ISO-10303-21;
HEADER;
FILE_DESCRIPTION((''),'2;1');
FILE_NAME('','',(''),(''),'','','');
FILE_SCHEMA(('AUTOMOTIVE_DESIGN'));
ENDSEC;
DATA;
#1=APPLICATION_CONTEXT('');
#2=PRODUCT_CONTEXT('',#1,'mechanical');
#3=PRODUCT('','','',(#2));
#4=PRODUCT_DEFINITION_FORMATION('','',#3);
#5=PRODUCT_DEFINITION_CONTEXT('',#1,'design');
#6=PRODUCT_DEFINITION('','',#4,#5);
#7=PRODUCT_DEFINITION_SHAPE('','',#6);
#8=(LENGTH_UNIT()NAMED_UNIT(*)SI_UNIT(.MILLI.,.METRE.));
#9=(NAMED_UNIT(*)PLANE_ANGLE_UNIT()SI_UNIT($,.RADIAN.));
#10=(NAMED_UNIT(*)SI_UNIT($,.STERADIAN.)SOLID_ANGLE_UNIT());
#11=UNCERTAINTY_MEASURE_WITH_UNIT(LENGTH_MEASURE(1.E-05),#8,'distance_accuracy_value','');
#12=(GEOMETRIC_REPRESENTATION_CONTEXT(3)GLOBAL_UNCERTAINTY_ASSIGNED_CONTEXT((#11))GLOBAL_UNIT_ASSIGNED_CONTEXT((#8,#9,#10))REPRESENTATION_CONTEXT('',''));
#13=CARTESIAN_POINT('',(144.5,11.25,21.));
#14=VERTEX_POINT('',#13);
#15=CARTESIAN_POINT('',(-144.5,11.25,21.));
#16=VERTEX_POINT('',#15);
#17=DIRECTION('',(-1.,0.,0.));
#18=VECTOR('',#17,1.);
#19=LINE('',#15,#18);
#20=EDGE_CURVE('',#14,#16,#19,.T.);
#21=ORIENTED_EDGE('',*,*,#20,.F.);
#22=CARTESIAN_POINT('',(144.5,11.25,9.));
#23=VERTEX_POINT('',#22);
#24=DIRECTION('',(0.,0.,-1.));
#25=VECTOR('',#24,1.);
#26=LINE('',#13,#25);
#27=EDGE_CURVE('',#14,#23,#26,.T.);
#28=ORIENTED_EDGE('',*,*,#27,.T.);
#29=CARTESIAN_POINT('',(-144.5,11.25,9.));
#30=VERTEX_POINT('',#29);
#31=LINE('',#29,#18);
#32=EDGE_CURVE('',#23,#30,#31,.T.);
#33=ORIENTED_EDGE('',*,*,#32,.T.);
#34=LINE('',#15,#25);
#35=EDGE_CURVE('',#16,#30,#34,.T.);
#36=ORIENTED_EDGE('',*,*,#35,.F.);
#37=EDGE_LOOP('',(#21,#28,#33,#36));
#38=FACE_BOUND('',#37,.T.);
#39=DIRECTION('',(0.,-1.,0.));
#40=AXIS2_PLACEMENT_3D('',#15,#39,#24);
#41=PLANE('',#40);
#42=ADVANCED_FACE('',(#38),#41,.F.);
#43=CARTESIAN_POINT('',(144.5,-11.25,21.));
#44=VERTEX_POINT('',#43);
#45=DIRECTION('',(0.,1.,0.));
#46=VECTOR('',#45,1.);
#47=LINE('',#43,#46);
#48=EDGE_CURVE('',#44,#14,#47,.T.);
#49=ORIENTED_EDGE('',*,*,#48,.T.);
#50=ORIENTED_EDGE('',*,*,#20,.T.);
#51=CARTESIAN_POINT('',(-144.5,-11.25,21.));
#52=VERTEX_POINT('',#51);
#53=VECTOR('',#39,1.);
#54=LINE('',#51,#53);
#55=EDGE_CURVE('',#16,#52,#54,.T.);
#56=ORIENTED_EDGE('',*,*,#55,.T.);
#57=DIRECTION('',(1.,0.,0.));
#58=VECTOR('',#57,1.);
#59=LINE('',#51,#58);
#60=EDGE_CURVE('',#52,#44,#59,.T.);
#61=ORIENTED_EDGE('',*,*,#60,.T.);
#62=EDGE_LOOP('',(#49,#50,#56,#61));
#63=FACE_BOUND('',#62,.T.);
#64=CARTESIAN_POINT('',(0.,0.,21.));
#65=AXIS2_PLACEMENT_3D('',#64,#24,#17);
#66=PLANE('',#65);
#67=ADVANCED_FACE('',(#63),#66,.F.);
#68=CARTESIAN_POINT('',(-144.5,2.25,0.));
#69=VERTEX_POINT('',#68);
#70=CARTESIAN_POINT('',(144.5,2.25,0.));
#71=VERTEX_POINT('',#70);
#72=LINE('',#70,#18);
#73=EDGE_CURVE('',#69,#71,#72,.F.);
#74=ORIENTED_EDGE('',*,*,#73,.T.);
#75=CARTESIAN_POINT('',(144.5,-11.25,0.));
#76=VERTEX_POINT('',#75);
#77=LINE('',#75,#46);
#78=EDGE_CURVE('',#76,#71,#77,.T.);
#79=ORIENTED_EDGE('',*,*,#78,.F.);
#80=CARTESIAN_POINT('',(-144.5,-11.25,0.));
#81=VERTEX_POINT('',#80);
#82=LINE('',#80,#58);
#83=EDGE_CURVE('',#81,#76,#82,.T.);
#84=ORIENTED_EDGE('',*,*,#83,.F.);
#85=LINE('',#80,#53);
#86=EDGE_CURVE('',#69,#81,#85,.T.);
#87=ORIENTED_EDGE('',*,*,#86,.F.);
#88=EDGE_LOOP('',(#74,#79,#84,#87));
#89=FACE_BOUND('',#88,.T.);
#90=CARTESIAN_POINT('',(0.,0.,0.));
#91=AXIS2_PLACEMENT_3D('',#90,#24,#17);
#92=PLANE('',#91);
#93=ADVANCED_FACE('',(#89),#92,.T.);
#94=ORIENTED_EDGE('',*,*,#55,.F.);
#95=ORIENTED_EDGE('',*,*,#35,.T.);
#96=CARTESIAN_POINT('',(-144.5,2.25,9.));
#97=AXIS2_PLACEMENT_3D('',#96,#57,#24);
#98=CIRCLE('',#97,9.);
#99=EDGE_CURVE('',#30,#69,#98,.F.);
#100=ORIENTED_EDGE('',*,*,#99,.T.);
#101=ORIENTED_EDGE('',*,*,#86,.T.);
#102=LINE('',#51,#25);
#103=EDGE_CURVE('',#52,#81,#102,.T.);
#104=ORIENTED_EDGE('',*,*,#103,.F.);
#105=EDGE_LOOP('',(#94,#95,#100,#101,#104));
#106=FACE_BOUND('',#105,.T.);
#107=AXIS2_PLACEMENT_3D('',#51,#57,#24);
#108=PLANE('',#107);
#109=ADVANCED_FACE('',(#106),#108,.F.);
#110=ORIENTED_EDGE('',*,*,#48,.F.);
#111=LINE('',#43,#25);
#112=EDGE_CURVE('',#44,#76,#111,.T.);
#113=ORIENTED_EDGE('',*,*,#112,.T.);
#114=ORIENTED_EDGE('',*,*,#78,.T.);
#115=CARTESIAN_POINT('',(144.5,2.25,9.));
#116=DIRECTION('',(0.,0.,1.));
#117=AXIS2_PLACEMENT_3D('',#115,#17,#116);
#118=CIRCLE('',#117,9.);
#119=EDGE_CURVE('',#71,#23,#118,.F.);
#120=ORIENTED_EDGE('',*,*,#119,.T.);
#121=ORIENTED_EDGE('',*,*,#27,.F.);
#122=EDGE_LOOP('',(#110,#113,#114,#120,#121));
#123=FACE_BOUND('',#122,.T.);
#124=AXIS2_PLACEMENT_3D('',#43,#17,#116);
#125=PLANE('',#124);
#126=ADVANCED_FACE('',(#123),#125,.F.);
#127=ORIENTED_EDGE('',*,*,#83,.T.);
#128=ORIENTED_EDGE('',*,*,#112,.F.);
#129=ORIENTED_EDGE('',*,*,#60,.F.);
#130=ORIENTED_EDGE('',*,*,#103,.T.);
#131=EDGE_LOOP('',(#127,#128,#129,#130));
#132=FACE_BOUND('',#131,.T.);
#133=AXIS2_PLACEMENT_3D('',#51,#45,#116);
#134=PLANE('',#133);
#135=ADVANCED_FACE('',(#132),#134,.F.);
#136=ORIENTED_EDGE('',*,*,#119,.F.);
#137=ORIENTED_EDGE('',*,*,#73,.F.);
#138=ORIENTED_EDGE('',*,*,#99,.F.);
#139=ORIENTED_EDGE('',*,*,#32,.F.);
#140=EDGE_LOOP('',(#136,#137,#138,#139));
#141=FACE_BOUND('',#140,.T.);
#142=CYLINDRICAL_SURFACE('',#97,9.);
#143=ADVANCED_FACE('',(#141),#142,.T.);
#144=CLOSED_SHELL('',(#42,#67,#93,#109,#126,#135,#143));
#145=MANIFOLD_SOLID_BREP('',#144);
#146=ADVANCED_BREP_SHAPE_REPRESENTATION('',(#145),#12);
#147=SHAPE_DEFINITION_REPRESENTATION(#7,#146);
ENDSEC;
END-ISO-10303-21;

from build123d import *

# Parameters (mm, degrees)
SKETCH_1_W      = 289
SKETCH_1_H      = 22.5
EXTRUDE_1_DEPTH = 21
FILLET_1_R      = 9


with BuildPart() as part:
    # 草图1 → 凸台-拉伸1 (new body)
    with BuildSketch(Plane.XY):
        Rectangle(SKETCH_1_W, SKETCH_1_H)
    extrude(amount=EXTRUDE_1_DEPTH)

    # 圆角1
    fillet_1_edges = [part.edges().sort_by_distance(p)[0] for p in [
        (0, 11.25, 0),
    ]]
    fillet(fillet_1_edges, radius=FILLET_1_R)


solid = part.part
